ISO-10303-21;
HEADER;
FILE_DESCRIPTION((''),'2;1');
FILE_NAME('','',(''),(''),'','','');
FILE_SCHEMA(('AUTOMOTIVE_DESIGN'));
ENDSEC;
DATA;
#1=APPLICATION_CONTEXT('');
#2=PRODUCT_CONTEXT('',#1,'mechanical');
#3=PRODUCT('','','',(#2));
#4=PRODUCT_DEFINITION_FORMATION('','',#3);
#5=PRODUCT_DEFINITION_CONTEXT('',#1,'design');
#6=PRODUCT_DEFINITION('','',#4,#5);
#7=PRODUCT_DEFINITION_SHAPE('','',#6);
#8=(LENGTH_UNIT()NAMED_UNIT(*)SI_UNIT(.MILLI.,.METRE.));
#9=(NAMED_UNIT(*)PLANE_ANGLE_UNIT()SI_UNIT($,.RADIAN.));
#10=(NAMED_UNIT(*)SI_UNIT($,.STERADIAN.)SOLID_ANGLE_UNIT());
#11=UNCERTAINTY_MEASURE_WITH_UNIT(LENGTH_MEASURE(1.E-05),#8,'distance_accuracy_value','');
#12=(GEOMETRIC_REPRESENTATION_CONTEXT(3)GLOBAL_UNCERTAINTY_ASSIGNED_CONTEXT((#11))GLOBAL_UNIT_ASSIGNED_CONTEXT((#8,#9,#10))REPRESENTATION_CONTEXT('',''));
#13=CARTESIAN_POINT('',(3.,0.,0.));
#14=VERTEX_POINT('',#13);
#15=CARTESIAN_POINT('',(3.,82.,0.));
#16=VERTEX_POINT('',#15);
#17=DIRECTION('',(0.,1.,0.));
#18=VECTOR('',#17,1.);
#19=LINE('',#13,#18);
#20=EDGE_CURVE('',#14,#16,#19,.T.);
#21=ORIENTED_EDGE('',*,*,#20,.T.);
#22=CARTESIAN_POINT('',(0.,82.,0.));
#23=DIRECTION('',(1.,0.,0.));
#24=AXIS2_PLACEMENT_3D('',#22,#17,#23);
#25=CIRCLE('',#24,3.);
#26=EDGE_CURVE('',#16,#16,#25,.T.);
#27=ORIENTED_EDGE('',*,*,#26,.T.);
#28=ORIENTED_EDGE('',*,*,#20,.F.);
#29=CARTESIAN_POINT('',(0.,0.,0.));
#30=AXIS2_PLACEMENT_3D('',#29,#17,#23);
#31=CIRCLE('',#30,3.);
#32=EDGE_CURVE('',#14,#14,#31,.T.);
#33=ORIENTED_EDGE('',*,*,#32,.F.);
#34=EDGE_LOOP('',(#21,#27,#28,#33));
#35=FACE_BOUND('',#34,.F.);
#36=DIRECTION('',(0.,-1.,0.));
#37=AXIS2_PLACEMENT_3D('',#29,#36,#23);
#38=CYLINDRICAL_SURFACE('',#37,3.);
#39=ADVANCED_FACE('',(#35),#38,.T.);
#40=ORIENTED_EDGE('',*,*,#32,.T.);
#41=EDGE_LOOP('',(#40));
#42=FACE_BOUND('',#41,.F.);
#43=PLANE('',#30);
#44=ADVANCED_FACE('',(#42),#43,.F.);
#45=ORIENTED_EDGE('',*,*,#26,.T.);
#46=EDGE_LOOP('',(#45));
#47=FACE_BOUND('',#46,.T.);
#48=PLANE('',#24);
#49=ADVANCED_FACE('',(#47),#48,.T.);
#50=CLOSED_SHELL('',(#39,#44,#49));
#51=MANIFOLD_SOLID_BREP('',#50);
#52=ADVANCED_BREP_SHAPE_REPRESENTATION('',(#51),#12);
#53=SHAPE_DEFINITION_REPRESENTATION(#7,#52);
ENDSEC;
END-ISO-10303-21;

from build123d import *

# Parameters (mm, degrees)
SKETCH1_R           = 3
BOSS_EXTRUDE1_DEPTH = 82


with BuildPart() as part:
    # Sketch1 → Boss-Extrude1 (new body)
    with BuildSketch(Plane(origin=(0, 0, 0), x_dir=(1, 0, 0), z_dir=(0, 1, 0))):
        Circle(SKETCH1_R)
    extrude(amount=BOSS_EXTRUDE1_DEPTH)


solid = part.part
